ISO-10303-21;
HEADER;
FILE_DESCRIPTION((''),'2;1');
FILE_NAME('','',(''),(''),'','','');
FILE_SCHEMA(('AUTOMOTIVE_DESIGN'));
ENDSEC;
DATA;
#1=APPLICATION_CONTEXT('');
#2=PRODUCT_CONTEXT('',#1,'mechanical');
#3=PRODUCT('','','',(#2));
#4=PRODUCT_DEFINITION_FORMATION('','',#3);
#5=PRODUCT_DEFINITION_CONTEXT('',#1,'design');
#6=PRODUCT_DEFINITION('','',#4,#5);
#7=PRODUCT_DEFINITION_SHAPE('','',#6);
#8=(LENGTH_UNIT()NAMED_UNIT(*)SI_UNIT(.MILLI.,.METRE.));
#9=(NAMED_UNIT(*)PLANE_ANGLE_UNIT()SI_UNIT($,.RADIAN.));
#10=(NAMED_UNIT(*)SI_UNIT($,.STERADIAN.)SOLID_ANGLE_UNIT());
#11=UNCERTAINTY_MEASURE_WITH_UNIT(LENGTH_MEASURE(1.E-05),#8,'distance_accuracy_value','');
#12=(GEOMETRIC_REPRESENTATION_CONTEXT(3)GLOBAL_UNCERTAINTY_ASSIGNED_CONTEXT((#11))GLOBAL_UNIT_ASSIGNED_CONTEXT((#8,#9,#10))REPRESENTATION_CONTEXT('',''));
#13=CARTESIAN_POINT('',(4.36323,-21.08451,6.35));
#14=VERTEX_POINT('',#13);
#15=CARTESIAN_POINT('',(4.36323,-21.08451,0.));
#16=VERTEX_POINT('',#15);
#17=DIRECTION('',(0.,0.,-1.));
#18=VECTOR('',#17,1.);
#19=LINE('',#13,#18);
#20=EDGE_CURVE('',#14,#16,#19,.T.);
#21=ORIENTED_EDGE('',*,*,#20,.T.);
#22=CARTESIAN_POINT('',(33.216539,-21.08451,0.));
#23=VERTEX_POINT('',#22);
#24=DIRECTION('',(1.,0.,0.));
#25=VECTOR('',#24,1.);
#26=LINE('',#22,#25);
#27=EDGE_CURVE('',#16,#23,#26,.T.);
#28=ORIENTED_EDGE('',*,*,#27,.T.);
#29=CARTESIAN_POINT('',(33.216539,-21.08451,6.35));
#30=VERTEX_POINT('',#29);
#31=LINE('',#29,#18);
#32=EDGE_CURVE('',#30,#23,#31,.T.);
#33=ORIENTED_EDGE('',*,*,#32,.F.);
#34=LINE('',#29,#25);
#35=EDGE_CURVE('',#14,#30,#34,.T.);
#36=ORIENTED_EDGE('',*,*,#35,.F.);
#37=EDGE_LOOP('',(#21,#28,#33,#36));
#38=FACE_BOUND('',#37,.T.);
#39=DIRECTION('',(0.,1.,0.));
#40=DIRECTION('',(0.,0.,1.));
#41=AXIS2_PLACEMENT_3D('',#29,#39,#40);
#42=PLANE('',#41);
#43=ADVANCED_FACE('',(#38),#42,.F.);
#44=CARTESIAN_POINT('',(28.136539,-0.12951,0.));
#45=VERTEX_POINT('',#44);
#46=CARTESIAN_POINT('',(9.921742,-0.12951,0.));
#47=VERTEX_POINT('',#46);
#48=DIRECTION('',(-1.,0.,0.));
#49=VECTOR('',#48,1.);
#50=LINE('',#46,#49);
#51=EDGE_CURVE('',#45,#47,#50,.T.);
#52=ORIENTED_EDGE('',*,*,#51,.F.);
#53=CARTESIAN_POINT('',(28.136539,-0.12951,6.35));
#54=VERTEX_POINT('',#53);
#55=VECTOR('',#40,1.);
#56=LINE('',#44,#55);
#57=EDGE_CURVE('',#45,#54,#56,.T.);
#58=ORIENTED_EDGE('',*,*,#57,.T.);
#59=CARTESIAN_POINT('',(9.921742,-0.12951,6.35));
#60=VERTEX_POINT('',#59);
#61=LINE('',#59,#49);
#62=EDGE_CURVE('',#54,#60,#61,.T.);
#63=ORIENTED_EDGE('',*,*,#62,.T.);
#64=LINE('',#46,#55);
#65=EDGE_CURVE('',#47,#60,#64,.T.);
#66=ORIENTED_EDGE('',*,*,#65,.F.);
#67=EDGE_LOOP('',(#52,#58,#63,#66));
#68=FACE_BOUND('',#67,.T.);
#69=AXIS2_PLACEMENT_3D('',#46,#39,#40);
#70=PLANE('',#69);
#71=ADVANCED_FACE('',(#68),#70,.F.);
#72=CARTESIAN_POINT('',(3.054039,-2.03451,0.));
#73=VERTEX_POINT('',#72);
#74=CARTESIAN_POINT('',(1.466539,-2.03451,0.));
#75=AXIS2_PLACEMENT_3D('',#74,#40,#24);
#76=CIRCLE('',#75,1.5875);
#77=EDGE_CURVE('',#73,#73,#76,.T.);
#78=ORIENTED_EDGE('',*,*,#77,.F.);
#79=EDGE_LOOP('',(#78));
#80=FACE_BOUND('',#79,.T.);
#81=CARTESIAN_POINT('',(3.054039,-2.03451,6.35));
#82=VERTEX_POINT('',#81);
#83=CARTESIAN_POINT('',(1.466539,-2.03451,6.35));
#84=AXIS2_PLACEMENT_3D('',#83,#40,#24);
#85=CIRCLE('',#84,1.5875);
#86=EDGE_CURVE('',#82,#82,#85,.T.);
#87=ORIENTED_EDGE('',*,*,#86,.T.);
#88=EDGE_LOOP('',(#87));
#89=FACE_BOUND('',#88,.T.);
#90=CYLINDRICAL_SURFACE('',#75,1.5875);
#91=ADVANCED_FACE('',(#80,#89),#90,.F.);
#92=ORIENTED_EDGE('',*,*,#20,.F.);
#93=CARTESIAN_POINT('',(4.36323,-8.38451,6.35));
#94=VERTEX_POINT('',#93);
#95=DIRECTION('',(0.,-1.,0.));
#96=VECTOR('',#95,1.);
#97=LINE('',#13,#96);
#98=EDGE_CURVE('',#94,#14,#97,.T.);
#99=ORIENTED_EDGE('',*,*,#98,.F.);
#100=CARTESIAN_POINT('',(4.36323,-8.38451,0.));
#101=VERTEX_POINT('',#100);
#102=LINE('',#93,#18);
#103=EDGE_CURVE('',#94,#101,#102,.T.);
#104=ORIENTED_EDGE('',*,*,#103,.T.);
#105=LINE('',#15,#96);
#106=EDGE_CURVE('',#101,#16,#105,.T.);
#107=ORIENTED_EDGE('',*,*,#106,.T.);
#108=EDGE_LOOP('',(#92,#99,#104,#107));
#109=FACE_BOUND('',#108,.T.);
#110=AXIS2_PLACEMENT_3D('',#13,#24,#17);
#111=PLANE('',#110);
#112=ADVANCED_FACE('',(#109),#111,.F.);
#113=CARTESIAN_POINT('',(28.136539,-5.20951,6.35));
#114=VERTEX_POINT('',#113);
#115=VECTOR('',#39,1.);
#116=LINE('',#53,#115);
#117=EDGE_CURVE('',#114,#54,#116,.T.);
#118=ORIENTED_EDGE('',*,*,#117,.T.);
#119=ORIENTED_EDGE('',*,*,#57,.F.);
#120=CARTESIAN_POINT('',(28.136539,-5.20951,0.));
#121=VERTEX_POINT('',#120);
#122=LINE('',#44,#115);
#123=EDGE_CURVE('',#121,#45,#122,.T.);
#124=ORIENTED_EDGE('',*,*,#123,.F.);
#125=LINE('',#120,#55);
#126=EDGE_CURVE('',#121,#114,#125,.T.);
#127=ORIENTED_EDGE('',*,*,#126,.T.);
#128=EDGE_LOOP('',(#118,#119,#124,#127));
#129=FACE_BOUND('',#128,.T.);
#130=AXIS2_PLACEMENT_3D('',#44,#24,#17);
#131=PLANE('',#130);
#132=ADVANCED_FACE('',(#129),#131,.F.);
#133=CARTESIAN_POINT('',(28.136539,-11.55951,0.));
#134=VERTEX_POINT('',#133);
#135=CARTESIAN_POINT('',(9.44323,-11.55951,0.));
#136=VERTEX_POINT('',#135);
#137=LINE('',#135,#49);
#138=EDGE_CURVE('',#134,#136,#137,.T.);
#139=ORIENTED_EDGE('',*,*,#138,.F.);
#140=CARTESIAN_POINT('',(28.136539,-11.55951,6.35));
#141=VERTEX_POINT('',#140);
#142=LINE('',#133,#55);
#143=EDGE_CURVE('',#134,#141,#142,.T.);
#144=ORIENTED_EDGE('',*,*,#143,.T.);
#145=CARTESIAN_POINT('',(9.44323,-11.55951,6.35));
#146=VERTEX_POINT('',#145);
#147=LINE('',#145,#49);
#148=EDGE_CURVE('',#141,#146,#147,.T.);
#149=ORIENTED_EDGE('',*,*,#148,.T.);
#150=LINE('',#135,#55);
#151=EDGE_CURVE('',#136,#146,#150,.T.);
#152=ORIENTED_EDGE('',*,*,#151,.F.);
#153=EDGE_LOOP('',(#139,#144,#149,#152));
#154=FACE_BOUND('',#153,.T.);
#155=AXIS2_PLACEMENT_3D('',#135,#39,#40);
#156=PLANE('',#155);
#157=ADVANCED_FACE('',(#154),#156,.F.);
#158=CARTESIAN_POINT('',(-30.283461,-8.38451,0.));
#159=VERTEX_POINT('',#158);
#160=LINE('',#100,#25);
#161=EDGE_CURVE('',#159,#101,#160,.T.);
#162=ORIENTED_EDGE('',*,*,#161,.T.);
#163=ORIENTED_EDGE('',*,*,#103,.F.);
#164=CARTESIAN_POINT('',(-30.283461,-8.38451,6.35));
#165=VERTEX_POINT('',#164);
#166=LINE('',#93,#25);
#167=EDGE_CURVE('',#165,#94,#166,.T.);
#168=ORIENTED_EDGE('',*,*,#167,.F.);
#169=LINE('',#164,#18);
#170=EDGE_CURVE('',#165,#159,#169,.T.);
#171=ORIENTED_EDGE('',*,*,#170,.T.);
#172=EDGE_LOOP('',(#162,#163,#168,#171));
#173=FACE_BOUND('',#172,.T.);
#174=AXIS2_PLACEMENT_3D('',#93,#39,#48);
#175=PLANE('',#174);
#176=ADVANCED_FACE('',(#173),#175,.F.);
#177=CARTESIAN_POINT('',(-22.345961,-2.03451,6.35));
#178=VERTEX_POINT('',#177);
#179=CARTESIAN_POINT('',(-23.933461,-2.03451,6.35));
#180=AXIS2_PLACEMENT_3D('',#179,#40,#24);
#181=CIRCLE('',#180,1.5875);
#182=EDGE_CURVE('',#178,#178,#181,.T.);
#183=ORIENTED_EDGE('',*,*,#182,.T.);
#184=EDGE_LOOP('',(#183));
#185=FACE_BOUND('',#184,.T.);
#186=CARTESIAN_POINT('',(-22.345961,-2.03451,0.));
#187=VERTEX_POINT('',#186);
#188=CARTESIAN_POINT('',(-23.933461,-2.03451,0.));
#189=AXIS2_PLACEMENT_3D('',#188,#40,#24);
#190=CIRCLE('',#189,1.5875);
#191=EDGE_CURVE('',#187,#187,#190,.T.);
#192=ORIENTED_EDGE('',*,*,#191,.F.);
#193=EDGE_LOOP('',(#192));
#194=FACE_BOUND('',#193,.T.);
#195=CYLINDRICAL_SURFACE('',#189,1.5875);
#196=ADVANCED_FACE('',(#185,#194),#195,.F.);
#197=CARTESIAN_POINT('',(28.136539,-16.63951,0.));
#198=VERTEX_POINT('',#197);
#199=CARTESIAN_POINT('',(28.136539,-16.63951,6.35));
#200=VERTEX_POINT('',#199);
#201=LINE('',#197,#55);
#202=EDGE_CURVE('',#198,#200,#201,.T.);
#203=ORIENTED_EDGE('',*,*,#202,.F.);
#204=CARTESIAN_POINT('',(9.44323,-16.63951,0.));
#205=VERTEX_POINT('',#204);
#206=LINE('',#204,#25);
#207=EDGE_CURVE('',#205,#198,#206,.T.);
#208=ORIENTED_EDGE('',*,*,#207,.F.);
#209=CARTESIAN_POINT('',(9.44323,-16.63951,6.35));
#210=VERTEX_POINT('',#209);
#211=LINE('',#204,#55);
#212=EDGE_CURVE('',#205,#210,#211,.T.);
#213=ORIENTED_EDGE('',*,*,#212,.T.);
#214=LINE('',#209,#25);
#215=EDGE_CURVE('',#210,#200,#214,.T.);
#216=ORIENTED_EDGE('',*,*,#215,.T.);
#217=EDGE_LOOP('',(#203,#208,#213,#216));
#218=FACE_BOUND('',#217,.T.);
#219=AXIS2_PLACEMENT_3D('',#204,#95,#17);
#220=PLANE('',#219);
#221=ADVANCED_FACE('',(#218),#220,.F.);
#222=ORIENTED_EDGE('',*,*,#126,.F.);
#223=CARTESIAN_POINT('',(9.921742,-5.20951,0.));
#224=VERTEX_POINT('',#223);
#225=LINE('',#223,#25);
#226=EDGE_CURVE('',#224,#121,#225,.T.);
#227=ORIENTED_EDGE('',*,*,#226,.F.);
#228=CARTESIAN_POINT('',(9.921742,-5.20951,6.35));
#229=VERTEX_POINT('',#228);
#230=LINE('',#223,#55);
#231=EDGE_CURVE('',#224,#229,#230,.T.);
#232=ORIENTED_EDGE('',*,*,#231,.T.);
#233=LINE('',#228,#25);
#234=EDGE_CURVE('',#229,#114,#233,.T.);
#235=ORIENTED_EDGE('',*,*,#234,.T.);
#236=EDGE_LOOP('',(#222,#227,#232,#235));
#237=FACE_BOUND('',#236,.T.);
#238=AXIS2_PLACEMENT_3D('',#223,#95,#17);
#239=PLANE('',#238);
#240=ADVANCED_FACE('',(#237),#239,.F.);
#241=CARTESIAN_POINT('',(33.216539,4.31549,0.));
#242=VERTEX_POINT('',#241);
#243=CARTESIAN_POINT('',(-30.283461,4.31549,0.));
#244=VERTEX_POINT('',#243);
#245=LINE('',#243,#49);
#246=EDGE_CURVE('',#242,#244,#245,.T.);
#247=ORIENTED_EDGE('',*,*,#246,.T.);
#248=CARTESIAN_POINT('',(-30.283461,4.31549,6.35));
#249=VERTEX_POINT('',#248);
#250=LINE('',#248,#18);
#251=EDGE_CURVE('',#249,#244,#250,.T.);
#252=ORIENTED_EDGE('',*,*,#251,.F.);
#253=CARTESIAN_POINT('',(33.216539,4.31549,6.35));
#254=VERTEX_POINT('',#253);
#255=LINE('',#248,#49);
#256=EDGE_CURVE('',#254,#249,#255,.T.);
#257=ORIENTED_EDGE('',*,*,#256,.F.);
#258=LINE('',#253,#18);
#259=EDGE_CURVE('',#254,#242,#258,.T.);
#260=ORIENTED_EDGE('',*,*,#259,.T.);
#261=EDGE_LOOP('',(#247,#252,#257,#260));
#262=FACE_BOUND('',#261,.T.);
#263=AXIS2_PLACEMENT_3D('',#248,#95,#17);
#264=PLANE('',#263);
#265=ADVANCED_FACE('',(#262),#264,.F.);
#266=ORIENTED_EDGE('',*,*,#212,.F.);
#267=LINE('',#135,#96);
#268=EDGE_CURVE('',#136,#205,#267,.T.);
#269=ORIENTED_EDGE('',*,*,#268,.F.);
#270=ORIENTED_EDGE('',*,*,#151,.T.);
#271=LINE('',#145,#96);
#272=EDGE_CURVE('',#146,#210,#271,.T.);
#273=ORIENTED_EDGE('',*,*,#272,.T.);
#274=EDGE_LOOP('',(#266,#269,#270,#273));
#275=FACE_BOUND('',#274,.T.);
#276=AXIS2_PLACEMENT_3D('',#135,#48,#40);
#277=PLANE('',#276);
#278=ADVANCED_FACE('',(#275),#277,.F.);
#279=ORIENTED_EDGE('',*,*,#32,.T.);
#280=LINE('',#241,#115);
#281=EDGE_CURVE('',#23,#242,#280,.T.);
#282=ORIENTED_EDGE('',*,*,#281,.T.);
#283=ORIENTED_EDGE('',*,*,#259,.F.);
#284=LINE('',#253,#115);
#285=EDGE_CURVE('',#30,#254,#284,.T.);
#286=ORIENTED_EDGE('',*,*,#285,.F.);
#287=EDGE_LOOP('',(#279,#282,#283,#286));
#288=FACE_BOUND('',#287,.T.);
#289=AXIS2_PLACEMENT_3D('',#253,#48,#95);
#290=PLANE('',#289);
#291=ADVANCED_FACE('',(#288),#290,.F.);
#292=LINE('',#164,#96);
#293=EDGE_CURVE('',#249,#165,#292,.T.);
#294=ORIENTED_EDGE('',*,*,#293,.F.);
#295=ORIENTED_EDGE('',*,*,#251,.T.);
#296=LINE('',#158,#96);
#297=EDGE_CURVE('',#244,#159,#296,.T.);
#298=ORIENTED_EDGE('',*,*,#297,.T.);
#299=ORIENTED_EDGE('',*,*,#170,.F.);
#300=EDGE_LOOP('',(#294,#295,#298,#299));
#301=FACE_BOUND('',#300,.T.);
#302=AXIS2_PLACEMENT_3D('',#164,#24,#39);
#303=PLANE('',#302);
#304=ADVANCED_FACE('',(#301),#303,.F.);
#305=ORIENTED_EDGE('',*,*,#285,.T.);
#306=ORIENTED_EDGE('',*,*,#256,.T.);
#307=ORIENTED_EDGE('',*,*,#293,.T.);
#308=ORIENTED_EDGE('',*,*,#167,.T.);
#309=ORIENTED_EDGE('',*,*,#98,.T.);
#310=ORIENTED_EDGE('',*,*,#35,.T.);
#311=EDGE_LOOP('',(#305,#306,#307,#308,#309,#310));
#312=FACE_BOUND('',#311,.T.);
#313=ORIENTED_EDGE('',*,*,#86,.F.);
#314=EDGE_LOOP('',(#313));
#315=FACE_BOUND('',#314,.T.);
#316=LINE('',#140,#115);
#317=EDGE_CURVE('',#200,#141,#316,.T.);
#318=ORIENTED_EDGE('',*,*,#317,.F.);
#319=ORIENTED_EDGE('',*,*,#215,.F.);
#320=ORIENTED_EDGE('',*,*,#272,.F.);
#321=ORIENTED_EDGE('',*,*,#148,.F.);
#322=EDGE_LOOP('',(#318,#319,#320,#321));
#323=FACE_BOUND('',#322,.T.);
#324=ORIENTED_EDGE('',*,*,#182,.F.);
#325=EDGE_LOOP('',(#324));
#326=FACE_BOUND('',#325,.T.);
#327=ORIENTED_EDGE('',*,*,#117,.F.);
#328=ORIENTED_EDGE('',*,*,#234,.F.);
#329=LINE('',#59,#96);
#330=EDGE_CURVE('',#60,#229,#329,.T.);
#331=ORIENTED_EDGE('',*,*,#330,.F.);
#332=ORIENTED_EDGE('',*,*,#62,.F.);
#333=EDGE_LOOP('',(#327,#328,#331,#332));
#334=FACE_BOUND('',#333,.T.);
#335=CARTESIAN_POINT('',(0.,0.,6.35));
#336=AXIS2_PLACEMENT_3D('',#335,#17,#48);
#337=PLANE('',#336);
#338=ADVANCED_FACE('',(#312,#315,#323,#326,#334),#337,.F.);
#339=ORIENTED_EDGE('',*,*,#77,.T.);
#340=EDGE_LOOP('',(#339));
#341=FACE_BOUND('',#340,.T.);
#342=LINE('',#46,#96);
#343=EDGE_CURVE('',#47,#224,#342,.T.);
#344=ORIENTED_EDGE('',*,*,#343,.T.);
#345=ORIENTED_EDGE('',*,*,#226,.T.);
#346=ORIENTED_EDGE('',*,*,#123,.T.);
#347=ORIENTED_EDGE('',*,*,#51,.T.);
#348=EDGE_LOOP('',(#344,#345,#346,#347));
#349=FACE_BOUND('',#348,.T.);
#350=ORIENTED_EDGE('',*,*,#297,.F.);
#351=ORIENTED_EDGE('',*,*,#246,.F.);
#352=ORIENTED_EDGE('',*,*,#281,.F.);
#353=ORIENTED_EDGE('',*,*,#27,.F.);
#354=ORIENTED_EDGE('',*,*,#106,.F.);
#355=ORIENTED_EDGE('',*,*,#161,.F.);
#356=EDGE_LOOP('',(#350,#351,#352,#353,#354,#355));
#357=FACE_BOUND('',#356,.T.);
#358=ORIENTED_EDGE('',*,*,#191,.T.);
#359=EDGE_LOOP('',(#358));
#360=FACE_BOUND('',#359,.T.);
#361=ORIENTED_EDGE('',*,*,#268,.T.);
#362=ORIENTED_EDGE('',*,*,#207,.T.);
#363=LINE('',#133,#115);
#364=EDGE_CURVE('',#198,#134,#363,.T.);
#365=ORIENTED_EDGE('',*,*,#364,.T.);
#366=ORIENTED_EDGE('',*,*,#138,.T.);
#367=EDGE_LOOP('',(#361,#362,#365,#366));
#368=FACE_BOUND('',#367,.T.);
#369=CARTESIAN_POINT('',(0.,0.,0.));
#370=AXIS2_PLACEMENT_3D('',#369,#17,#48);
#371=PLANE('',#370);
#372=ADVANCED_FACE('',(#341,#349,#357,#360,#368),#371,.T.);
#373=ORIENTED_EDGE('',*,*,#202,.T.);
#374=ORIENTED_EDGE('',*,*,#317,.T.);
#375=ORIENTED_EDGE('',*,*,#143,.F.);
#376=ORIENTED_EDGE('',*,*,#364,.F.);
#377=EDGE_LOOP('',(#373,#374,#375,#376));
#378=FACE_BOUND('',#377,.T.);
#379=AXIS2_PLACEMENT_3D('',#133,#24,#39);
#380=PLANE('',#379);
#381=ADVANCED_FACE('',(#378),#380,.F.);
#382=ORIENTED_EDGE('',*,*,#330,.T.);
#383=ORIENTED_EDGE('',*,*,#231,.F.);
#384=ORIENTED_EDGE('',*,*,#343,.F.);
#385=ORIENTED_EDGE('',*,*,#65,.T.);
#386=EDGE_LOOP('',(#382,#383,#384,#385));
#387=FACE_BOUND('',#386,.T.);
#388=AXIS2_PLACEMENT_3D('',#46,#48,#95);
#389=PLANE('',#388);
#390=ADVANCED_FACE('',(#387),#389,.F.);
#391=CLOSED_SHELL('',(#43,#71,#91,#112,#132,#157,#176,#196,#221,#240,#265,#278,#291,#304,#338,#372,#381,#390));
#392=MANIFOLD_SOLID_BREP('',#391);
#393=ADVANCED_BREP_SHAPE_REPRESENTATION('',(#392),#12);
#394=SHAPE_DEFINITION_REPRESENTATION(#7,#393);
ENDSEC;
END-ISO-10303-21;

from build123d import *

# Parameters (mm, degrees)
BOSS_EXTRUDE1_DEPTH = 6.35
SKETCH2_R           = 1.5875
SKETCH2_W           = 18.214797942
SKETCH2_H           = 5.08
SKETCH2_W_2         = 18.693309481
CUT_EXTRUDE1_DEPTH  = 6.35


with BuildPart() as part:
    # Sketch1 → Boss-Extrude1 (new body)
    with BuildSketch(Plane.XY):
        Polygon((-30.283460543, 4.315489798), (33.216539457, 4.315489798), (33.216539457, -21.084510202), (4.363229976, -21.084510202), (4.363229976, -8.384510202), (-30.283460543, -8.384510202), align=None)
    extrude(amount=BOSS_EXTRUDE1_DEPTH)

    # Sketch2 → Cut-Extrude1 (cut)
    with BuildSketch(Plane.XY.offset(6.35)):
        with Locations((-23.933460543, -2.034510202)):
            Circle(SKETCH2_R)
        with Locations((1.466539457, -2.034510202)):
            Circle(SKETCH2_R)
        with Locations((19.029140486, -2.669510202)):
            Rectangle(SKETCH2_W, SKETCH2_H)
        with Locations((18.789884717, -14.099510202)):
            Rectangle(SKETCH2_W_2, SKETCH2_H)
    extrude(amount=-CUT_EXTRUDE1_DEPTH, mode=Mode.SUBTRACT)


solid = part.part
